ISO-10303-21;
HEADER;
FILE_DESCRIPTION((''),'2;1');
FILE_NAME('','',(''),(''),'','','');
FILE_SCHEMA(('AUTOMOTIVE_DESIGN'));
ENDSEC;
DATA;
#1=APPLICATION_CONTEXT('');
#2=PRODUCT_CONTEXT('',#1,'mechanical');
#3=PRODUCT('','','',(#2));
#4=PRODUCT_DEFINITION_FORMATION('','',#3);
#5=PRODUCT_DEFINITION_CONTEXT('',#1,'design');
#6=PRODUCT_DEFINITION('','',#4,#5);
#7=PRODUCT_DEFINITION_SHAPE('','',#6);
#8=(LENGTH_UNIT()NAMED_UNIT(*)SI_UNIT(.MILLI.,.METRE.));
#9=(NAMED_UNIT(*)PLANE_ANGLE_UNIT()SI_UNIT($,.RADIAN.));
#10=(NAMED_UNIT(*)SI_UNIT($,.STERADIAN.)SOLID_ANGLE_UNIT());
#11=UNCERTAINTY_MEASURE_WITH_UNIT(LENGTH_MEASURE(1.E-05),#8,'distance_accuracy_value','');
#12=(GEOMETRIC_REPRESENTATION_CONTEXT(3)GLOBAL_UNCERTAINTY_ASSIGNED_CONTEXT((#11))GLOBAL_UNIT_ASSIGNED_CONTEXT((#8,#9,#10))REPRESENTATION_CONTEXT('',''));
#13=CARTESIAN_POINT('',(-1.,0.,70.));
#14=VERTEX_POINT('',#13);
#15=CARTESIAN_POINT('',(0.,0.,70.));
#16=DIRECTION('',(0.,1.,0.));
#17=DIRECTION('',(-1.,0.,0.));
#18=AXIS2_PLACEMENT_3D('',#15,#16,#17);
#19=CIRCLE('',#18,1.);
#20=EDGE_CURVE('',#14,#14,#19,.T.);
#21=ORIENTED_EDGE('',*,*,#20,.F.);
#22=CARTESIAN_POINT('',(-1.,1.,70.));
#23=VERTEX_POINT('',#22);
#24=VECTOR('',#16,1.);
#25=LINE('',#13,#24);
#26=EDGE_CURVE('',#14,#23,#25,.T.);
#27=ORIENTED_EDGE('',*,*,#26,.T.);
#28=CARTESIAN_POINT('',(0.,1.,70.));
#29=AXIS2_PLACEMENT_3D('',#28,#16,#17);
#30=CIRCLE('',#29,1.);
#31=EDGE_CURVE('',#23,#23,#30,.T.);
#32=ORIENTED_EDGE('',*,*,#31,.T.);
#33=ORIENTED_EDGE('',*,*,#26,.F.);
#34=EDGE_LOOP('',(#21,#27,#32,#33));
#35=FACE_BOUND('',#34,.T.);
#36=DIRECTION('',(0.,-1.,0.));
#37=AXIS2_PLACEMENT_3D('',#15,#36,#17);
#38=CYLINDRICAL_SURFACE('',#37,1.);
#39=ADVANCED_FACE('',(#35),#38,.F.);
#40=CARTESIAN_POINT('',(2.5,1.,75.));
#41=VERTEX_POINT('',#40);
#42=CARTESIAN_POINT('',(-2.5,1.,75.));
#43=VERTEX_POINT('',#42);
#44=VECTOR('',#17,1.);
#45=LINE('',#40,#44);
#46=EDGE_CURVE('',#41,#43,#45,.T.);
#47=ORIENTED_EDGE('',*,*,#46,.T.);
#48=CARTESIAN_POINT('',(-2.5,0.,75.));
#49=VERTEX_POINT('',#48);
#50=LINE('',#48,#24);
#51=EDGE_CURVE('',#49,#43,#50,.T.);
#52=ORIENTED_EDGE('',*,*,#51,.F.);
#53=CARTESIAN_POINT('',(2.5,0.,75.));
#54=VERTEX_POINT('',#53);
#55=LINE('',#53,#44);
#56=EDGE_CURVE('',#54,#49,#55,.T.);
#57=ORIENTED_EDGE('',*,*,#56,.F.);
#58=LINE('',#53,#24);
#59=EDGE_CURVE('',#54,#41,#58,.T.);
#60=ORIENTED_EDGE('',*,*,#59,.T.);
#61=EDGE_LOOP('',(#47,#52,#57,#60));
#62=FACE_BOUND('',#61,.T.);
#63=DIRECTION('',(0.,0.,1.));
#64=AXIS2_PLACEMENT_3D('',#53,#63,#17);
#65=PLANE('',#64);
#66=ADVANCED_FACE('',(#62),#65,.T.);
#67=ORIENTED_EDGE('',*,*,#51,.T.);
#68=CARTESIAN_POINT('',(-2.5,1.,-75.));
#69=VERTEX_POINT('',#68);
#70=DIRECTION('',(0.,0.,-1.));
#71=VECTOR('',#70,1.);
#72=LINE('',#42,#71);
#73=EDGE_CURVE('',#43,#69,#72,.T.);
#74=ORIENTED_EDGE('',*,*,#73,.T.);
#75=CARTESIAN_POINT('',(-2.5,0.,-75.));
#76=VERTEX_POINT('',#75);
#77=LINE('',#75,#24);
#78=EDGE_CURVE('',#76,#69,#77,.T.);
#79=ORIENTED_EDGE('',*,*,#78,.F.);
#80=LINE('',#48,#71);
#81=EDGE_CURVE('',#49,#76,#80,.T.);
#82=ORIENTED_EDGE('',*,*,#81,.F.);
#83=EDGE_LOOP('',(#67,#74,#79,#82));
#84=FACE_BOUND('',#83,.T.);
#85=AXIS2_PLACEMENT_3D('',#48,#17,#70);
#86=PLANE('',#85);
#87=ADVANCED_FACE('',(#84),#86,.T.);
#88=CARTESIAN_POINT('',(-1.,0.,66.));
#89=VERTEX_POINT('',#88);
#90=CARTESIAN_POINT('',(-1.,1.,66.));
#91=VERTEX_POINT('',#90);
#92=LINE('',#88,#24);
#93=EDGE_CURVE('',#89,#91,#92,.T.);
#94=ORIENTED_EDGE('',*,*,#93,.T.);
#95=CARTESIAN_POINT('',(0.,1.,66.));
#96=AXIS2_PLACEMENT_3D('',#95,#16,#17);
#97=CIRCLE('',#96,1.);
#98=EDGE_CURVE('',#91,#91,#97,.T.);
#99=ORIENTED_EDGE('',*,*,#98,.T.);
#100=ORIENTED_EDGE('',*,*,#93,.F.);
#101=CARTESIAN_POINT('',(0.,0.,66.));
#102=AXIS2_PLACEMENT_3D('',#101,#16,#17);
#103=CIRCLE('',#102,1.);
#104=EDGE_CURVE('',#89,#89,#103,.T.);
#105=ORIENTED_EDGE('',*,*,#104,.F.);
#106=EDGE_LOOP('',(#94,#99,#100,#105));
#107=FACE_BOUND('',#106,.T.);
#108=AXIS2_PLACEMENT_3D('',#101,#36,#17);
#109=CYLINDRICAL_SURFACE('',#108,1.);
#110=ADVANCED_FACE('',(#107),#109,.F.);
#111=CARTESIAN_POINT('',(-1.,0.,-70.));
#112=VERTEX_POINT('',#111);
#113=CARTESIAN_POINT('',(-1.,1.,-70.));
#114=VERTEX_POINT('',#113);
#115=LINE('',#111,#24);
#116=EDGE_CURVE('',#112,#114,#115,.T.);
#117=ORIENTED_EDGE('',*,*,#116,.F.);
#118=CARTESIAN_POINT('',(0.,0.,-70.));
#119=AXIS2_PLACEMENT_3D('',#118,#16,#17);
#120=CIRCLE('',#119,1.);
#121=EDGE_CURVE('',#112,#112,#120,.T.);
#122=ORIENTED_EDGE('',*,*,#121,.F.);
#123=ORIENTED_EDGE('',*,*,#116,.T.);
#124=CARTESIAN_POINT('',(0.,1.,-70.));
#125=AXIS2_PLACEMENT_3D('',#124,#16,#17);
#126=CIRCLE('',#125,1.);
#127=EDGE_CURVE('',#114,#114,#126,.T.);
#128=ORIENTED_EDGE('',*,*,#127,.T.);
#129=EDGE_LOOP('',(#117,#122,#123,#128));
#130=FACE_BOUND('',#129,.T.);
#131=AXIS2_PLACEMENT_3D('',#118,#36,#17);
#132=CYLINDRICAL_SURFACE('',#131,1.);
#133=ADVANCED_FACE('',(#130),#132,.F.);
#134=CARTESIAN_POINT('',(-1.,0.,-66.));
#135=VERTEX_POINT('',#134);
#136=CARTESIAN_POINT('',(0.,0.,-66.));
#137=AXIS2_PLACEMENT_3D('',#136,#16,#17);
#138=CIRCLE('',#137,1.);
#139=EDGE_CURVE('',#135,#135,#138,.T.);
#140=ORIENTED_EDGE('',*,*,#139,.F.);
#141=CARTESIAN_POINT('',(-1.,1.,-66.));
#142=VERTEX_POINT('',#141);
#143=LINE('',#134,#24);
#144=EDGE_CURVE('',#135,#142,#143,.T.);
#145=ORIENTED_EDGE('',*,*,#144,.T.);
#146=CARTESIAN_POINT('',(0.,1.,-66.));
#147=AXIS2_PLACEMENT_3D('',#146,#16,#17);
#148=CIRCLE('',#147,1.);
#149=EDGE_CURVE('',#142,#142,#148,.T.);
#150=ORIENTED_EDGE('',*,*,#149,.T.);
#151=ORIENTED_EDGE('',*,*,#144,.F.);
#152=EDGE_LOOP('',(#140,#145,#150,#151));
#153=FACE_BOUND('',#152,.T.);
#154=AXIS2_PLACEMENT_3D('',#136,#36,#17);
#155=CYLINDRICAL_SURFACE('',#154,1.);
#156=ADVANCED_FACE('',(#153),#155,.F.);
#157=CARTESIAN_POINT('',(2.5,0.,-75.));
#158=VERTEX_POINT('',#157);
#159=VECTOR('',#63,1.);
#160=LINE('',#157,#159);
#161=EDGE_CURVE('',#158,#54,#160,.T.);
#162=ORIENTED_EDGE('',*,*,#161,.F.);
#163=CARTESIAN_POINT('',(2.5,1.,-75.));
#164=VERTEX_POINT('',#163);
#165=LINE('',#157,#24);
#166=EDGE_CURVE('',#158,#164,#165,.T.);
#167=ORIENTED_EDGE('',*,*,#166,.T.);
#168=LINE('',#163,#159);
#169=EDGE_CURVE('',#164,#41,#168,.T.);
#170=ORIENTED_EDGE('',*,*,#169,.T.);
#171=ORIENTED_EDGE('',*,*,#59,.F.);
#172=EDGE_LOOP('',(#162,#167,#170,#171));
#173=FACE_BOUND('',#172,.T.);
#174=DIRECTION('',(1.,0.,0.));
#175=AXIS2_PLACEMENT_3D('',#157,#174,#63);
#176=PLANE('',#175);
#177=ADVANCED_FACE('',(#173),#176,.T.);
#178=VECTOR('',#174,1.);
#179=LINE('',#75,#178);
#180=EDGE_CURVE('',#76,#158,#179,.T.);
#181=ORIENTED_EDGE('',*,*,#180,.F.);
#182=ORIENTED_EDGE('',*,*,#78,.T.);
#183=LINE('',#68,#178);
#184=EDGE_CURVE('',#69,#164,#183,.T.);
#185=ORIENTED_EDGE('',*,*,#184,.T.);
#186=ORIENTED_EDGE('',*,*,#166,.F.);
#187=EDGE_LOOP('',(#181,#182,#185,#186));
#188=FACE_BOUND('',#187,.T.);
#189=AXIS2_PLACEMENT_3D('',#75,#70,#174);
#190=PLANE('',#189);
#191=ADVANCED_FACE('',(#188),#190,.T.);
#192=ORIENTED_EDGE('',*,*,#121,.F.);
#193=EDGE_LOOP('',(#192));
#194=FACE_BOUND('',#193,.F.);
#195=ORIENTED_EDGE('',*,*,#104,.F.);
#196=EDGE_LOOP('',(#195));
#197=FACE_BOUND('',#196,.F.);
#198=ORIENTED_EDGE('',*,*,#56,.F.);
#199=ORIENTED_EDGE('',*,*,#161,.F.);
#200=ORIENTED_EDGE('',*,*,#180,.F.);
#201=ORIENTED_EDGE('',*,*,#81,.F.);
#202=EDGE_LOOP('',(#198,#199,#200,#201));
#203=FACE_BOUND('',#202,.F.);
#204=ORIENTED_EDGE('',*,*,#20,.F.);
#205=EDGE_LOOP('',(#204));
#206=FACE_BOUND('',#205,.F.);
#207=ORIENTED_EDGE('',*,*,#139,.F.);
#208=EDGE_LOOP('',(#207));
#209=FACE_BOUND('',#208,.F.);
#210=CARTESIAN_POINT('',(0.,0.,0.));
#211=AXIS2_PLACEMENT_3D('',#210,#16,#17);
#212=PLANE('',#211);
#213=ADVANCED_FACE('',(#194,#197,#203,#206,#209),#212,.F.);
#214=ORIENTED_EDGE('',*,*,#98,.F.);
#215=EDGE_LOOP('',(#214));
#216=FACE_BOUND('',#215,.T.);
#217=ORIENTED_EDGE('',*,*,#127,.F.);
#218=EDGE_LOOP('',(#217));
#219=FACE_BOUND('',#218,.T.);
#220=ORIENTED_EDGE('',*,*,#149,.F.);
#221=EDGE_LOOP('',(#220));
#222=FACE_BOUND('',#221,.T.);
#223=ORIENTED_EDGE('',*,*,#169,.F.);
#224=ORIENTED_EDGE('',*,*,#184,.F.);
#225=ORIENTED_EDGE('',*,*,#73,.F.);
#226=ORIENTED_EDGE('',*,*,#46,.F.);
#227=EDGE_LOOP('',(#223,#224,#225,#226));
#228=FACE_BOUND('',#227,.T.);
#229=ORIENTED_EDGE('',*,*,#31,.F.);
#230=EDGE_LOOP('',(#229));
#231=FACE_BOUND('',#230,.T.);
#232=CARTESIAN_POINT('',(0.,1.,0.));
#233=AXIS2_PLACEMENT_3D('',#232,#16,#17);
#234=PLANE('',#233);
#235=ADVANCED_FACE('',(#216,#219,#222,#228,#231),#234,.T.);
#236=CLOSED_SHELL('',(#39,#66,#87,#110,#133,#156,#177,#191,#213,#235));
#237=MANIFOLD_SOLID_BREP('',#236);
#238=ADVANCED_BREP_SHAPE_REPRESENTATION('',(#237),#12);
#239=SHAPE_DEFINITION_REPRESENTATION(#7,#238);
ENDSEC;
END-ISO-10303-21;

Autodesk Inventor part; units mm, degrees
ref_plane "YZ Plane" through (0, 0, 0) normal (1, 0, 0) x (0, 1, 0)
ref_plane "XZ Plane" through (0, 0, 0) normal (0, 1, 0) x (-1, 0, 0)
ref_plane "XY Plane" through (0, 0, 0) normal (0, 0, 1) x (1, 0, 0)
sketch "Szkic1" plane through (0, 0, 0) normal (0, 1, 0) x (-1, 0, 0)
  line L0 (-2.5, 75) -> (2.5, 75)
  line L1 (2.5, 75) -> (2.5, -75)
  line L2 (2.5, -75) -> (-2.5, -75)
  line L3 (-2.5, -75) -> (-2.5, 75)
  line L4 (-2.5, 75) -> (2.5, -75) construction
  line L5 (2.5, 75) -> (-2.5, -75) construction
  line L6 (0, 75) -> (0, 70) construction
  circle A0 centre (0, 70) radius 1
  line L7 (0, 70) -> (0, 66) construction
  circle A1 centre (0, 66) radius 1
  line L8 (0, -75) -> (0, -70) construction
  circle A2 centre (0, -70) radius 1
  line L9 (0, -70) -> (0, -66) construction
  circle A3 centre (0, -66) radius 1
  point P0 (0, 0)
  dimension "d0" = 5
  dimension "d1" = 150
  dimension "d2" = 5
  dimension "d3" = 2
  dimension "d4" = 4
  dimension "d5" = 2
  dimension "d6" = 5
  dimension "d7" = 2
  dimension "d8" = 4
  dimension "d9" = 2
extrude "Wyciągnięcie proste1" add sketch "Szkic1" along normal blind 1
properties part number "listwa_weglowa"
